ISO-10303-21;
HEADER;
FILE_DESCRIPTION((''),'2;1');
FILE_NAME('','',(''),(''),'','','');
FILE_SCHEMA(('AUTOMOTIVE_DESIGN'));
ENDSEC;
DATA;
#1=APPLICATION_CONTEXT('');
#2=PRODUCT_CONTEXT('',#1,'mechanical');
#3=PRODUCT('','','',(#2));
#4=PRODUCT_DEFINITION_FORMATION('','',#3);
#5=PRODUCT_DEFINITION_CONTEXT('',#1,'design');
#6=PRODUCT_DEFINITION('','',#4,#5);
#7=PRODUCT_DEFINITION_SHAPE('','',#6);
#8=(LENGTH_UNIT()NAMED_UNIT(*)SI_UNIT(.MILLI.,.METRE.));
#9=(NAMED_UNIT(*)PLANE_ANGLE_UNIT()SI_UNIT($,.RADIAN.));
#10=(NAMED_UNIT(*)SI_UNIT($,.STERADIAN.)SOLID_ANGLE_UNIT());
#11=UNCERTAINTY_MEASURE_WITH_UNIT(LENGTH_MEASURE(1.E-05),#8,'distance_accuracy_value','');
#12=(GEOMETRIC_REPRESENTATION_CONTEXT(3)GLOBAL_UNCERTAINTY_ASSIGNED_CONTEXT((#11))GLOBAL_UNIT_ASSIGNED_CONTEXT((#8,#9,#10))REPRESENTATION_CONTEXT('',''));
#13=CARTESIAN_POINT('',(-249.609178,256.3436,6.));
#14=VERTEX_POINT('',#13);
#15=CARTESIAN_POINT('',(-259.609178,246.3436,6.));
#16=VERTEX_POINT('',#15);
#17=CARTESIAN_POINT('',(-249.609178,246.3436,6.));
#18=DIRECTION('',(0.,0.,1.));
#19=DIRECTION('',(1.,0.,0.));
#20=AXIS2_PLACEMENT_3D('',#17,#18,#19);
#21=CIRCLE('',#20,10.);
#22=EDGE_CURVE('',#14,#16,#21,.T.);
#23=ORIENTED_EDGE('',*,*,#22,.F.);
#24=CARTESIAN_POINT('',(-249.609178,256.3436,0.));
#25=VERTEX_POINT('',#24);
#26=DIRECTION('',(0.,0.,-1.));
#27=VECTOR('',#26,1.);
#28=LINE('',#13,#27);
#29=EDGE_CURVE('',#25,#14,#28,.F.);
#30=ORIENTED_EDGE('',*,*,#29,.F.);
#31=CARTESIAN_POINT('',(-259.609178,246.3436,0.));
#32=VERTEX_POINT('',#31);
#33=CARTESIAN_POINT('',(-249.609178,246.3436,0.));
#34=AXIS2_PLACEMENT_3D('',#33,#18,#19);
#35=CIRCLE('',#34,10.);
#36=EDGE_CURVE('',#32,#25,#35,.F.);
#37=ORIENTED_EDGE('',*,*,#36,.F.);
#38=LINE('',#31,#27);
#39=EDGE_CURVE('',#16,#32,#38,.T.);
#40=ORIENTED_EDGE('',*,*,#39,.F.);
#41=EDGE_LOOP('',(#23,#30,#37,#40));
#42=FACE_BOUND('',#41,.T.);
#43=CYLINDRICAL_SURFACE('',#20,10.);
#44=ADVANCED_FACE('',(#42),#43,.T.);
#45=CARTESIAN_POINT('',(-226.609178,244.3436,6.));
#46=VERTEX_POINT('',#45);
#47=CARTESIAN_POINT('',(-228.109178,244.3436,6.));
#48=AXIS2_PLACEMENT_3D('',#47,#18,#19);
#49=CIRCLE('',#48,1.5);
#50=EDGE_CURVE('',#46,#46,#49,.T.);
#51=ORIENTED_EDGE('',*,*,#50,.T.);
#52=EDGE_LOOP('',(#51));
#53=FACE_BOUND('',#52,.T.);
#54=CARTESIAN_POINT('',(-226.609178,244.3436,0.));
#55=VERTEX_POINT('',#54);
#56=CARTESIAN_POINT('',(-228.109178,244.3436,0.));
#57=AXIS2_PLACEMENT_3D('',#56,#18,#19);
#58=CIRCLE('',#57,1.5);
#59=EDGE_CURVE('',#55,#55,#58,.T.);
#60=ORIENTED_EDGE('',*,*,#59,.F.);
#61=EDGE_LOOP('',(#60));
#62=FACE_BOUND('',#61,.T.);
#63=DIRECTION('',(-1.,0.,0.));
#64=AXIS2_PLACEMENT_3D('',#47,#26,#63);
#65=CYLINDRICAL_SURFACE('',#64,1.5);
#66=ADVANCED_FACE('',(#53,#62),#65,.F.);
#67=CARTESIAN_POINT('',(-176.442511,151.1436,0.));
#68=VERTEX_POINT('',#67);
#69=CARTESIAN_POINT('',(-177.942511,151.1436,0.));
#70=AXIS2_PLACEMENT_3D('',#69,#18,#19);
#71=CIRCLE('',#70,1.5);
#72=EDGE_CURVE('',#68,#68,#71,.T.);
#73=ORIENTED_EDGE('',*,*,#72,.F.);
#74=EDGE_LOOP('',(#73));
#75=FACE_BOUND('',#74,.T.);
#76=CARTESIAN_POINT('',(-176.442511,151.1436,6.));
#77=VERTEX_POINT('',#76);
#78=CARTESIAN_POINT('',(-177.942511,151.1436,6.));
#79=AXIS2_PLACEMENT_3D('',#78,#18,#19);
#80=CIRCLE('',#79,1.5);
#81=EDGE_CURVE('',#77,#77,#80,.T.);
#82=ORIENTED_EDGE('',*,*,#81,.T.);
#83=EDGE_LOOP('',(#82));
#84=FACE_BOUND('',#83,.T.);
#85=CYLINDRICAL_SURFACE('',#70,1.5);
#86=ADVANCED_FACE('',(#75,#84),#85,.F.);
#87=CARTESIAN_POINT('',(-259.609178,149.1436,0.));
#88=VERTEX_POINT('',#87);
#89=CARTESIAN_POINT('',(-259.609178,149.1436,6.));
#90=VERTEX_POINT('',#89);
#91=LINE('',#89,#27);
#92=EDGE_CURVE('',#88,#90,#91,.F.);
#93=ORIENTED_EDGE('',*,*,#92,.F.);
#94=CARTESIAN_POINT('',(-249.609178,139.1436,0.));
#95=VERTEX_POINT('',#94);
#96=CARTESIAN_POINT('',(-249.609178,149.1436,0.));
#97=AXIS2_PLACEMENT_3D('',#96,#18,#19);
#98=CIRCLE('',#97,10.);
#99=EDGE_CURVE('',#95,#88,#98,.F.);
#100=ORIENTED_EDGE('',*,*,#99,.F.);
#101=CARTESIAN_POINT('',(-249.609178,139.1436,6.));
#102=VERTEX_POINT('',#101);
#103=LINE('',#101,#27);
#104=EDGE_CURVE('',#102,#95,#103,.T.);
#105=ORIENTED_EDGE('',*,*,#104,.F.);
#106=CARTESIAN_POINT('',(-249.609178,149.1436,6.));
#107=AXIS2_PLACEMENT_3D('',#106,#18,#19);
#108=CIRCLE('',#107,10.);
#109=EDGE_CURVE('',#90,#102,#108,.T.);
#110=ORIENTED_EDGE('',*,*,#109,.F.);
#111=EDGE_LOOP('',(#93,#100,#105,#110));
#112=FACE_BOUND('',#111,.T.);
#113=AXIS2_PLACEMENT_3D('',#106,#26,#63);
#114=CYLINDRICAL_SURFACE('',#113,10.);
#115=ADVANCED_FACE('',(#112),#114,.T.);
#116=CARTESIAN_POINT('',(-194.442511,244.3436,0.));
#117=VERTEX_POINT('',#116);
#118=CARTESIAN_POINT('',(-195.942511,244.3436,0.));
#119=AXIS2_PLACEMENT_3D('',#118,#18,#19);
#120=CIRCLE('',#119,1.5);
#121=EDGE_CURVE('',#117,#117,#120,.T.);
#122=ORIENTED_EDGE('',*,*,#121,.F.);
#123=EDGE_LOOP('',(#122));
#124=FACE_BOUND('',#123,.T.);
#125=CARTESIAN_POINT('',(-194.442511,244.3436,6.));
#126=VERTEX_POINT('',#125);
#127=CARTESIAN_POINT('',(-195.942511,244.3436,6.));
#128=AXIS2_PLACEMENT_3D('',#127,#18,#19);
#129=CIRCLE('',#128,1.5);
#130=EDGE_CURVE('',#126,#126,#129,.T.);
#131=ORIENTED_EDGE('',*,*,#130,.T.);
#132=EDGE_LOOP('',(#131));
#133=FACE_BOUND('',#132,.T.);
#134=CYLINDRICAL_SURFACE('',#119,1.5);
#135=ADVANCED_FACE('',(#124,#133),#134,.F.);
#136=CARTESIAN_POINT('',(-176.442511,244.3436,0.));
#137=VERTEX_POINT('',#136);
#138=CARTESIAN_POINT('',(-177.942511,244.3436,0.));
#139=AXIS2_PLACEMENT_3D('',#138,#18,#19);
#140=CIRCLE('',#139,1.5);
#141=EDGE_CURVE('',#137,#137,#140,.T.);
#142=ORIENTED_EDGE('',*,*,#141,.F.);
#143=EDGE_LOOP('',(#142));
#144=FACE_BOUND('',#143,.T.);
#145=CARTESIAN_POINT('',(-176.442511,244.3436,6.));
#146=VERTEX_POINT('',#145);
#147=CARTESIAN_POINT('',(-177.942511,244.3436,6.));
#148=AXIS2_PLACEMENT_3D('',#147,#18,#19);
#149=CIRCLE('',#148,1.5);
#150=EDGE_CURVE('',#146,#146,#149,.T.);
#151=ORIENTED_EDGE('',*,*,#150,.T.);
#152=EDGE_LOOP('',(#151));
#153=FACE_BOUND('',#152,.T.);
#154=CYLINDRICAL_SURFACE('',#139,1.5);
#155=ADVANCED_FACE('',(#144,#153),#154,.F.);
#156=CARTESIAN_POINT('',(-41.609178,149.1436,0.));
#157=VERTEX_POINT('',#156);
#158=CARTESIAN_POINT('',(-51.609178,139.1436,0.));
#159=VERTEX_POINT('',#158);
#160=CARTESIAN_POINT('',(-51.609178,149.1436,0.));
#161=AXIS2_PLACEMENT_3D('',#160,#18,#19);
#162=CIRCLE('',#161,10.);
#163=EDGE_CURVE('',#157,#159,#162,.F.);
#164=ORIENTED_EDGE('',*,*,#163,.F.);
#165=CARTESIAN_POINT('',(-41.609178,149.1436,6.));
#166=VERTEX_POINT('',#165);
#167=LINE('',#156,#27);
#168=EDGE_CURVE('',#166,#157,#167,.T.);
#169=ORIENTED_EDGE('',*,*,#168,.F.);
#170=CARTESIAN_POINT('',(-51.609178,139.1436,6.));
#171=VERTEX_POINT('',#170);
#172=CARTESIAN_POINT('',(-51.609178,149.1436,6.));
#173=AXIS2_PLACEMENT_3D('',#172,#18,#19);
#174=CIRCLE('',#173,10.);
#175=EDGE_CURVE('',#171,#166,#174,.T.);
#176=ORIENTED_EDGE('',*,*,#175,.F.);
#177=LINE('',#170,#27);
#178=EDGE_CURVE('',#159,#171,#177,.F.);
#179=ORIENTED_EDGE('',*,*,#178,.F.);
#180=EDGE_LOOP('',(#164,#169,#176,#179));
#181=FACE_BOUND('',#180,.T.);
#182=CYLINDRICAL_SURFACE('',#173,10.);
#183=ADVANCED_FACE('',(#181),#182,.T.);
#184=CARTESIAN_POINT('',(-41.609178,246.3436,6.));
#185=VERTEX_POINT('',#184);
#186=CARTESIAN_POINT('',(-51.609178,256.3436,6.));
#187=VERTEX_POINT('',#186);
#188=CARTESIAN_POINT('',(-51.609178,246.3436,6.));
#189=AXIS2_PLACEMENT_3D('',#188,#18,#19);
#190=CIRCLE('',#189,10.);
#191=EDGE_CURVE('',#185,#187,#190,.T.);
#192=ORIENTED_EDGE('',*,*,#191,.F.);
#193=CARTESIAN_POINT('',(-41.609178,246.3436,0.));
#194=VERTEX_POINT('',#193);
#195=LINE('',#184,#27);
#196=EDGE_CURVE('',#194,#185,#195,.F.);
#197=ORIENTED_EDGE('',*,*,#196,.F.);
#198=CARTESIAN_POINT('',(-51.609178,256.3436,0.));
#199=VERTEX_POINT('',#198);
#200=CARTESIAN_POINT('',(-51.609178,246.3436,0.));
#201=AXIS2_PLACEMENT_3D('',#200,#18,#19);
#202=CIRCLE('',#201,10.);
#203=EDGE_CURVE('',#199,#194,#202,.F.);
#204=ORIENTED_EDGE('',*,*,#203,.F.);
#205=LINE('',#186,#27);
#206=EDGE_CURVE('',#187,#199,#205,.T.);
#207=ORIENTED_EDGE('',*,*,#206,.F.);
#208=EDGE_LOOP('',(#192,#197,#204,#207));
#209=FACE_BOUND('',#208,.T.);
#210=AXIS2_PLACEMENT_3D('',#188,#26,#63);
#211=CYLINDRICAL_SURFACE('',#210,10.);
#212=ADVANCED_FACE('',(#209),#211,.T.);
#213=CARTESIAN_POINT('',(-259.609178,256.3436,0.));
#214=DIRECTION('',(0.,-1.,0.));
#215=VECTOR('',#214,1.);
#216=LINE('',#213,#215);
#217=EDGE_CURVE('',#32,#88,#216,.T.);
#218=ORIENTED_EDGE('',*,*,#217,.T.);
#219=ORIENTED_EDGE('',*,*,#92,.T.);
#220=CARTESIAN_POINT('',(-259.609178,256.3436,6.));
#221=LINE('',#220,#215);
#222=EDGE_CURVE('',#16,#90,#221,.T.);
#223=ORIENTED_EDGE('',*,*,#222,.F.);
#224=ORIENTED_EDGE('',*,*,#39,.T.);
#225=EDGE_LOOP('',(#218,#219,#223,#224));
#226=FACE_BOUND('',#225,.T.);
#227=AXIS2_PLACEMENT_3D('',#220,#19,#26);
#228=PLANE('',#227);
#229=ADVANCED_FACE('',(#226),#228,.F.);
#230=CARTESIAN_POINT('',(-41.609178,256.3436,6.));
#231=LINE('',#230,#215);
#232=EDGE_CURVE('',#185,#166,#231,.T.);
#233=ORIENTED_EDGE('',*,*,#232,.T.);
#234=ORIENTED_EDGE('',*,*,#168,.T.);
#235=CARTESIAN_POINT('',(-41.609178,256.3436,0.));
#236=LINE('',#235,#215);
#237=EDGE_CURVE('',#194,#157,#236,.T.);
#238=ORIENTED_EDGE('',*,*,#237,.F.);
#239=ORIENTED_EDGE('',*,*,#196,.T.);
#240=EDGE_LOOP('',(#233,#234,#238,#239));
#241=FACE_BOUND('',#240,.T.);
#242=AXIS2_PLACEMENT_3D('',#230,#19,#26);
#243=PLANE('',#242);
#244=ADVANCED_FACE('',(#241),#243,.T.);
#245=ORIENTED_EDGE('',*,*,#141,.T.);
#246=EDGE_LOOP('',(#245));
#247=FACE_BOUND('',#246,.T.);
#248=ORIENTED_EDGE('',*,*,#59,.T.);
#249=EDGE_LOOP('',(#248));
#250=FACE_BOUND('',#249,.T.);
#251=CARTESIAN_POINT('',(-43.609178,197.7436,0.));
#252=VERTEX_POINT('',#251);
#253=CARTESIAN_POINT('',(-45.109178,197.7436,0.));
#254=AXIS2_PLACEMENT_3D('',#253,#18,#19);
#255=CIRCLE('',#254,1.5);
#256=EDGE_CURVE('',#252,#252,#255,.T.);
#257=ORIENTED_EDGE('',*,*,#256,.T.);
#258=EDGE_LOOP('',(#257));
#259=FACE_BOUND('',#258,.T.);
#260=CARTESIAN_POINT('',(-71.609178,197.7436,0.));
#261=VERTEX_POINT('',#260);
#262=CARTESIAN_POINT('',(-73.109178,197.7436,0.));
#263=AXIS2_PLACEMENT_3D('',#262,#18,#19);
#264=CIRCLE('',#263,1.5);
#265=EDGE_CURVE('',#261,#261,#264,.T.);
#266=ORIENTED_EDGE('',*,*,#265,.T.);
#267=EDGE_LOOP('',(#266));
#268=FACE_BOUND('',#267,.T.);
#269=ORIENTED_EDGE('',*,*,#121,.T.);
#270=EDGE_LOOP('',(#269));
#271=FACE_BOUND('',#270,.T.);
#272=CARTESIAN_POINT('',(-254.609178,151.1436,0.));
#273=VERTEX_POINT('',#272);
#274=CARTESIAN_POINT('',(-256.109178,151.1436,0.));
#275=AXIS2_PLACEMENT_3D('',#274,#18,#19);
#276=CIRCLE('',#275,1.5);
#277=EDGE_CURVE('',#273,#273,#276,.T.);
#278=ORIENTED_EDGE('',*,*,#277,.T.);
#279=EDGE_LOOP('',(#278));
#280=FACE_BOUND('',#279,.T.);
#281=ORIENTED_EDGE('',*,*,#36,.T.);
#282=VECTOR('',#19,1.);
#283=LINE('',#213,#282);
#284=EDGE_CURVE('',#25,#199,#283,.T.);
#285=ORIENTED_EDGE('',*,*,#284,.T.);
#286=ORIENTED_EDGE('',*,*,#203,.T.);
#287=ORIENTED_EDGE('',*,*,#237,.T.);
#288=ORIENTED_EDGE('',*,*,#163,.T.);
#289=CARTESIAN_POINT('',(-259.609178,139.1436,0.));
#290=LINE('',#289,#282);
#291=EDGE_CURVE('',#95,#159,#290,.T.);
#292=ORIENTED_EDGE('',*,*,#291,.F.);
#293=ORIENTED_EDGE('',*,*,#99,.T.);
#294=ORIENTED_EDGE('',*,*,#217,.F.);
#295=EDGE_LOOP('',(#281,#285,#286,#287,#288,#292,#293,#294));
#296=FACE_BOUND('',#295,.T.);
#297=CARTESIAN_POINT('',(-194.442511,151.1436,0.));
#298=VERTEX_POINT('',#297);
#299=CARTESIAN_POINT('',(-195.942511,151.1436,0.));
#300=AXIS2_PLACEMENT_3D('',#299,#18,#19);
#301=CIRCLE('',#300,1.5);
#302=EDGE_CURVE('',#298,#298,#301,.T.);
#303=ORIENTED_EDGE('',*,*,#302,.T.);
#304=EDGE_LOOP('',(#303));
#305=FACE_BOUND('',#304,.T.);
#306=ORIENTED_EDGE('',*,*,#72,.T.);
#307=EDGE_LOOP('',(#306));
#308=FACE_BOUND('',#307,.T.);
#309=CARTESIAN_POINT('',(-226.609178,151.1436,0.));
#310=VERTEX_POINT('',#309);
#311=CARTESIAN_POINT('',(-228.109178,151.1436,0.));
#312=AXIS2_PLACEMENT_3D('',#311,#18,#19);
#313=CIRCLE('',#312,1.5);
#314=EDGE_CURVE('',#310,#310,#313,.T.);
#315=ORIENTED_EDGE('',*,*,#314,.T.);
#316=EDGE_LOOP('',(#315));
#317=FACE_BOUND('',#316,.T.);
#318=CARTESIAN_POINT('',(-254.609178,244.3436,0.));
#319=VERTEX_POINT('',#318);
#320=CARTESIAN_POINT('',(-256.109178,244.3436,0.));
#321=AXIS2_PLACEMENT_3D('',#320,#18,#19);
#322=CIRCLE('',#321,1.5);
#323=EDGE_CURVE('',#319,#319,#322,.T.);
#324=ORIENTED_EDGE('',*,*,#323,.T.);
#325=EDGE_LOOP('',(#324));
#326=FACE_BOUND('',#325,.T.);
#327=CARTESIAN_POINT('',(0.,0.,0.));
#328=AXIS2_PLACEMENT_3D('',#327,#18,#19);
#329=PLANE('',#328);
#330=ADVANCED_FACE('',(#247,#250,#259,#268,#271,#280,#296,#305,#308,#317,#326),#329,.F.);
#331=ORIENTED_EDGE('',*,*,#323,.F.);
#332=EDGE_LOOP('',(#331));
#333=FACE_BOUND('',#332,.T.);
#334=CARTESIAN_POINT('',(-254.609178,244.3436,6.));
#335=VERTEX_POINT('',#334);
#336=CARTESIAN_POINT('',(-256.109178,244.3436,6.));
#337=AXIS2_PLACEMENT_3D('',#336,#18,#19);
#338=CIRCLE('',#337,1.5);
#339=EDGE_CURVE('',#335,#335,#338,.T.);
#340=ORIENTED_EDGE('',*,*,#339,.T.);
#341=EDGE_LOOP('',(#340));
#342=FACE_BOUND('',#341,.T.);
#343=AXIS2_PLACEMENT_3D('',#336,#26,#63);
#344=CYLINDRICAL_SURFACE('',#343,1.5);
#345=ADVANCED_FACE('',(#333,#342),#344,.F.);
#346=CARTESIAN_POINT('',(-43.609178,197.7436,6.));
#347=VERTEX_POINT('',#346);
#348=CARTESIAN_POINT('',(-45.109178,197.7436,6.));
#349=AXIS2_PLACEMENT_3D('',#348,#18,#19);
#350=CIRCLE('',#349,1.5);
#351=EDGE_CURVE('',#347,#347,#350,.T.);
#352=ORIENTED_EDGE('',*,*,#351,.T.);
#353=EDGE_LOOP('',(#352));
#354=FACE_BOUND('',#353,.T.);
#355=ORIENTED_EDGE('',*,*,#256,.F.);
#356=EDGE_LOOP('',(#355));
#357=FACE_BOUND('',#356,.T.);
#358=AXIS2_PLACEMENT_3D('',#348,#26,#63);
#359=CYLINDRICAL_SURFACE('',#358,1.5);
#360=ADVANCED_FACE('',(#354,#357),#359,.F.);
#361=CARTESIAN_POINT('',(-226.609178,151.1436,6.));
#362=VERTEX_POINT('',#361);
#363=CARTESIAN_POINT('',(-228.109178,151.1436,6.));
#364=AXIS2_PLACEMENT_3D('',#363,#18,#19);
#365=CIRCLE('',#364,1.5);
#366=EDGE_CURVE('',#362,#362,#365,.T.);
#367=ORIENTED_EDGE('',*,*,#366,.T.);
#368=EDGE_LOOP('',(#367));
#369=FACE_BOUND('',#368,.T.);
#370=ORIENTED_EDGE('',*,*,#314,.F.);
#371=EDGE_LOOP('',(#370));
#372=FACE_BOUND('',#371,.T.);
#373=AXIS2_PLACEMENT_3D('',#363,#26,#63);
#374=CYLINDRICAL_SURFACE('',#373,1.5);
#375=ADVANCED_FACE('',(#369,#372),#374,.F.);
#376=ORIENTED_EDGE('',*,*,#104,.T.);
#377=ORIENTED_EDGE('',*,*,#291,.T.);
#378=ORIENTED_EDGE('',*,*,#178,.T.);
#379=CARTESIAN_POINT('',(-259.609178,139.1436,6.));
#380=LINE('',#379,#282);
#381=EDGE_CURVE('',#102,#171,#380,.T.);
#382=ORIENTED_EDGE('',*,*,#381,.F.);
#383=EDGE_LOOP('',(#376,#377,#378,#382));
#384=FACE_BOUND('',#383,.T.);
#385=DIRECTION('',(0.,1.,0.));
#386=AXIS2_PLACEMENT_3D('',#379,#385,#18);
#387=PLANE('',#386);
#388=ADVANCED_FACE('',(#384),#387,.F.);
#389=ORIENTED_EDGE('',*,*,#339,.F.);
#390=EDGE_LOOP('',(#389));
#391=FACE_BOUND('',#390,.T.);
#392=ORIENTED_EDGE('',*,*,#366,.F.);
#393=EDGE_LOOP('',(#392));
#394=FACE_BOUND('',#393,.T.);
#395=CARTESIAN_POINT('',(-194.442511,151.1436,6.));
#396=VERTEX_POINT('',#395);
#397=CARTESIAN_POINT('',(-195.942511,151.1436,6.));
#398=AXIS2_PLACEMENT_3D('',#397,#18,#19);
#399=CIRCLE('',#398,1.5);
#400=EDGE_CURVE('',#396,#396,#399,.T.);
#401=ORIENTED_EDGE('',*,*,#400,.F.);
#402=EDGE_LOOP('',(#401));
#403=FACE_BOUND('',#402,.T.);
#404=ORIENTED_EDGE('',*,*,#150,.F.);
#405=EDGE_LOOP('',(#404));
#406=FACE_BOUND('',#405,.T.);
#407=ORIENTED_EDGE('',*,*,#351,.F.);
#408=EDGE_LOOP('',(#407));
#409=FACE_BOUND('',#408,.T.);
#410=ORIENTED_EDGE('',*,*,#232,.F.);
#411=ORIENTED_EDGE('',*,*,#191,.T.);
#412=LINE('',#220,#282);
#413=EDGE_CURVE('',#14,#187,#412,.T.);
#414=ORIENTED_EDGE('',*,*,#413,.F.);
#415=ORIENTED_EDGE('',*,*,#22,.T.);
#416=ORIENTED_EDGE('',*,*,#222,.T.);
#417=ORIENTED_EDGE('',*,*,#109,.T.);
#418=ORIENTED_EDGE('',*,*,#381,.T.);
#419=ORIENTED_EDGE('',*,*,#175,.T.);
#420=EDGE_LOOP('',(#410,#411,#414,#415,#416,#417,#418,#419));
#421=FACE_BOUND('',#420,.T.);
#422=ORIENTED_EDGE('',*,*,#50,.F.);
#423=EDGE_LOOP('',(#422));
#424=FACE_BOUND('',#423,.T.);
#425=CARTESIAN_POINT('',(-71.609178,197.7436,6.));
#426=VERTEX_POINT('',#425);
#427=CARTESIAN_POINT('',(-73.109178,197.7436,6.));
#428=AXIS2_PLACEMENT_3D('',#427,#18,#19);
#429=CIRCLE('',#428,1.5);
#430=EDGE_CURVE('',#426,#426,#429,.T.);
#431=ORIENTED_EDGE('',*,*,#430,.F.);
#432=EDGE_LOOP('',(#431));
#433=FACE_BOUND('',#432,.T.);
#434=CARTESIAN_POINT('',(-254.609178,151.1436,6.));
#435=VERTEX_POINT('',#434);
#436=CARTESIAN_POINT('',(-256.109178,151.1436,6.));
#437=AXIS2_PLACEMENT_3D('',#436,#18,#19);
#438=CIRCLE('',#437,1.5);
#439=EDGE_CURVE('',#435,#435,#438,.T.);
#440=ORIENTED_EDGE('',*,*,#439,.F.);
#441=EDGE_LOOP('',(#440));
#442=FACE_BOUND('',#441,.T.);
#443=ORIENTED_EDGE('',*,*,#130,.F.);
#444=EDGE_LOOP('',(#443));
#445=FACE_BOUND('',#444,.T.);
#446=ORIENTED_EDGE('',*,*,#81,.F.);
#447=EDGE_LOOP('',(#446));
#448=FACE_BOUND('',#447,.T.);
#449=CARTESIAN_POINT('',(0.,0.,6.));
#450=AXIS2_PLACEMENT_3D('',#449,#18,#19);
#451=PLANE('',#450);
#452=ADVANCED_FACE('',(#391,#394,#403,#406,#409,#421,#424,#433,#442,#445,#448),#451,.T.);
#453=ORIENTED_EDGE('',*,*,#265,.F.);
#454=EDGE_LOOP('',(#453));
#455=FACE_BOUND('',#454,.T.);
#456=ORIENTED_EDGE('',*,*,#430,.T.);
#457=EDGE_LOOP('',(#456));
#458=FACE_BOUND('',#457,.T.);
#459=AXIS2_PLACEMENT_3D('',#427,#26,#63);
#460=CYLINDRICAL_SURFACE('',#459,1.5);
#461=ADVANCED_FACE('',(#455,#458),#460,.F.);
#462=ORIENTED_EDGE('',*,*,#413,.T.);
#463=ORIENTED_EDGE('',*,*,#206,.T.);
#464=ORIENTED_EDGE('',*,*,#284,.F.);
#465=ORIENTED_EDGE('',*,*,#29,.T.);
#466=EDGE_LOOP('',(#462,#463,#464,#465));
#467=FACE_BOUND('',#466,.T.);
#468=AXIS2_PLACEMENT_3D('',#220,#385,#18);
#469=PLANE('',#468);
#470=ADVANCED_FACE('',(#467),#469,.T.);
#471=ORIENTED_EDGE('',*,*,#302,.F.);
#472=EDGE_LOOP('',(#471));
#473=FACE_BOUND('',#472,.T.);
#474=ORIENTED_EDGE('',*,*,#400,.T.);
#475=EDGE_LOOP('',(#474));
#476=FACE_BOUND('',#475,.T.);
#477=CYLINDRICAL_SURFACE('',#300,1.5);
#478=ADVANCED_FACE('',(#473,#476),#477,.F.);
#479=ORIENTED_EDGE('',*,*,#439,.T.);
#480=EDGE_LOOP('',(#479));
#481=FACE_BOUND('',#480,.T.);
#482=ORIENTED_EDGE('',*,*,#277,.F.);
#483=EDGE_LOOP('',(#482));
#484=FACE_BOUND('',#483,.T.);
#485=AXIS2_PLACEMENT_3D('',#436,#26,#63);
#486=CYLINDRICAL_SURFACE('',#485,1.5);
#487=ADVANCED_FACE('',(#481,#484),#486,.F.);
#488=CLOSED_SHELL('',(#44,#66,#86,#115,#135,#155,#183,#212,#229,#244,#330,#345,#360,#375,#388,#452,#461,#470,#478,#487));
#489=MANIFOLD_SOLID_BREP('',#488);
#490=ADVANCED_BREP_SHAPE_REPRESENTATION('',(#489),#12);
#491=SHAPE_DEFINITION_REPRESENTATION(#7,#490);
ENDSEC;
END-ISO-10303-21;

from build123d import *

# Parameters (mm, degrees)
SKETCH1_W           = 218
SKETCH1_H           = 117.2
SKETCH1_R           = 1.5
BOSS_EXTRUDE1_DEPTH = 6
SKETCH2_R           = 1.5
CUT_EXTRUDE1_DEPTH  = 6
FILLET1_R           = 10


with BuildPart() as part:
    # Sketch1 → Boss-Extrude1 (new body)
    with BuildSketch(Plane.XY):
        with Locations((-150.609177744, 197.743600407)):
            Rectangle(SKETCH1_W, SKETCH1_H)
        with Locations((-256.109177744, 244.343600407)):
            Circle(SKETCH1_R, mode=Mode.SUBTRACT)
        with Locations((-256.109177744, 151.143600407)):
            Circle(SKETCH1_R, mode=Mode.SUBTRACT)
        with Locations((-45.109177744, 197.743600407)):
            Circle(SKETCH1_R, mode=Mode.SUBTRACT)
        with Locations((-73.109177744, 197.743600407)):
            Circle(SKETCH1_R, mode=Mode.SUBTRACT)
        with Locations((-228.109177744, 244.343600407)):
            Circle(SKETCH1_R, mode=Mode.SUBTRACT)
        with Locations((-228.109177744, 151.143600407)):
            Circle(SKETCH1_R, mode=Mode.SUBTRACT)
    extrude(amount=BOSS_EXTRUDE1_DEPTH)

    # Sketch2 → Cut-Extrude1 (cut)
    with BuildSketch(Plane.XY.offset(6)):
        with Locations((-195.942511077, 151.143600407)):
            Circle(SKETCH2_R)
        with Locations((-177.942511077, 151.143600407)):
            Circle(SKETCH2_R)
        with Locations((-195.942511077, 244.343600407)):
            Circle(SKETCH2_R)
        with Locations((-177.942511077, 244.343600407)):
            Circle(SKETCH2_R)
    extrude(amount=-CUT_EXTRUDE1_DEPTH, mode=Mode.SUBTRACT)

    # Fillet1
    fillet1_edges = [part.edges().sort_by_distance(p)[0] for p in [
        (-259.609177744, 256.343600407, 3),
        (-41.609177744, 256.343600407, 3),
        (-41.609177744, 139.143600407, 3),
        (-259.609177744, 139.143600407, 3),
    ]]
    fillet(fillet1_edges, radius=FILLET1_R)


solid = part.part
